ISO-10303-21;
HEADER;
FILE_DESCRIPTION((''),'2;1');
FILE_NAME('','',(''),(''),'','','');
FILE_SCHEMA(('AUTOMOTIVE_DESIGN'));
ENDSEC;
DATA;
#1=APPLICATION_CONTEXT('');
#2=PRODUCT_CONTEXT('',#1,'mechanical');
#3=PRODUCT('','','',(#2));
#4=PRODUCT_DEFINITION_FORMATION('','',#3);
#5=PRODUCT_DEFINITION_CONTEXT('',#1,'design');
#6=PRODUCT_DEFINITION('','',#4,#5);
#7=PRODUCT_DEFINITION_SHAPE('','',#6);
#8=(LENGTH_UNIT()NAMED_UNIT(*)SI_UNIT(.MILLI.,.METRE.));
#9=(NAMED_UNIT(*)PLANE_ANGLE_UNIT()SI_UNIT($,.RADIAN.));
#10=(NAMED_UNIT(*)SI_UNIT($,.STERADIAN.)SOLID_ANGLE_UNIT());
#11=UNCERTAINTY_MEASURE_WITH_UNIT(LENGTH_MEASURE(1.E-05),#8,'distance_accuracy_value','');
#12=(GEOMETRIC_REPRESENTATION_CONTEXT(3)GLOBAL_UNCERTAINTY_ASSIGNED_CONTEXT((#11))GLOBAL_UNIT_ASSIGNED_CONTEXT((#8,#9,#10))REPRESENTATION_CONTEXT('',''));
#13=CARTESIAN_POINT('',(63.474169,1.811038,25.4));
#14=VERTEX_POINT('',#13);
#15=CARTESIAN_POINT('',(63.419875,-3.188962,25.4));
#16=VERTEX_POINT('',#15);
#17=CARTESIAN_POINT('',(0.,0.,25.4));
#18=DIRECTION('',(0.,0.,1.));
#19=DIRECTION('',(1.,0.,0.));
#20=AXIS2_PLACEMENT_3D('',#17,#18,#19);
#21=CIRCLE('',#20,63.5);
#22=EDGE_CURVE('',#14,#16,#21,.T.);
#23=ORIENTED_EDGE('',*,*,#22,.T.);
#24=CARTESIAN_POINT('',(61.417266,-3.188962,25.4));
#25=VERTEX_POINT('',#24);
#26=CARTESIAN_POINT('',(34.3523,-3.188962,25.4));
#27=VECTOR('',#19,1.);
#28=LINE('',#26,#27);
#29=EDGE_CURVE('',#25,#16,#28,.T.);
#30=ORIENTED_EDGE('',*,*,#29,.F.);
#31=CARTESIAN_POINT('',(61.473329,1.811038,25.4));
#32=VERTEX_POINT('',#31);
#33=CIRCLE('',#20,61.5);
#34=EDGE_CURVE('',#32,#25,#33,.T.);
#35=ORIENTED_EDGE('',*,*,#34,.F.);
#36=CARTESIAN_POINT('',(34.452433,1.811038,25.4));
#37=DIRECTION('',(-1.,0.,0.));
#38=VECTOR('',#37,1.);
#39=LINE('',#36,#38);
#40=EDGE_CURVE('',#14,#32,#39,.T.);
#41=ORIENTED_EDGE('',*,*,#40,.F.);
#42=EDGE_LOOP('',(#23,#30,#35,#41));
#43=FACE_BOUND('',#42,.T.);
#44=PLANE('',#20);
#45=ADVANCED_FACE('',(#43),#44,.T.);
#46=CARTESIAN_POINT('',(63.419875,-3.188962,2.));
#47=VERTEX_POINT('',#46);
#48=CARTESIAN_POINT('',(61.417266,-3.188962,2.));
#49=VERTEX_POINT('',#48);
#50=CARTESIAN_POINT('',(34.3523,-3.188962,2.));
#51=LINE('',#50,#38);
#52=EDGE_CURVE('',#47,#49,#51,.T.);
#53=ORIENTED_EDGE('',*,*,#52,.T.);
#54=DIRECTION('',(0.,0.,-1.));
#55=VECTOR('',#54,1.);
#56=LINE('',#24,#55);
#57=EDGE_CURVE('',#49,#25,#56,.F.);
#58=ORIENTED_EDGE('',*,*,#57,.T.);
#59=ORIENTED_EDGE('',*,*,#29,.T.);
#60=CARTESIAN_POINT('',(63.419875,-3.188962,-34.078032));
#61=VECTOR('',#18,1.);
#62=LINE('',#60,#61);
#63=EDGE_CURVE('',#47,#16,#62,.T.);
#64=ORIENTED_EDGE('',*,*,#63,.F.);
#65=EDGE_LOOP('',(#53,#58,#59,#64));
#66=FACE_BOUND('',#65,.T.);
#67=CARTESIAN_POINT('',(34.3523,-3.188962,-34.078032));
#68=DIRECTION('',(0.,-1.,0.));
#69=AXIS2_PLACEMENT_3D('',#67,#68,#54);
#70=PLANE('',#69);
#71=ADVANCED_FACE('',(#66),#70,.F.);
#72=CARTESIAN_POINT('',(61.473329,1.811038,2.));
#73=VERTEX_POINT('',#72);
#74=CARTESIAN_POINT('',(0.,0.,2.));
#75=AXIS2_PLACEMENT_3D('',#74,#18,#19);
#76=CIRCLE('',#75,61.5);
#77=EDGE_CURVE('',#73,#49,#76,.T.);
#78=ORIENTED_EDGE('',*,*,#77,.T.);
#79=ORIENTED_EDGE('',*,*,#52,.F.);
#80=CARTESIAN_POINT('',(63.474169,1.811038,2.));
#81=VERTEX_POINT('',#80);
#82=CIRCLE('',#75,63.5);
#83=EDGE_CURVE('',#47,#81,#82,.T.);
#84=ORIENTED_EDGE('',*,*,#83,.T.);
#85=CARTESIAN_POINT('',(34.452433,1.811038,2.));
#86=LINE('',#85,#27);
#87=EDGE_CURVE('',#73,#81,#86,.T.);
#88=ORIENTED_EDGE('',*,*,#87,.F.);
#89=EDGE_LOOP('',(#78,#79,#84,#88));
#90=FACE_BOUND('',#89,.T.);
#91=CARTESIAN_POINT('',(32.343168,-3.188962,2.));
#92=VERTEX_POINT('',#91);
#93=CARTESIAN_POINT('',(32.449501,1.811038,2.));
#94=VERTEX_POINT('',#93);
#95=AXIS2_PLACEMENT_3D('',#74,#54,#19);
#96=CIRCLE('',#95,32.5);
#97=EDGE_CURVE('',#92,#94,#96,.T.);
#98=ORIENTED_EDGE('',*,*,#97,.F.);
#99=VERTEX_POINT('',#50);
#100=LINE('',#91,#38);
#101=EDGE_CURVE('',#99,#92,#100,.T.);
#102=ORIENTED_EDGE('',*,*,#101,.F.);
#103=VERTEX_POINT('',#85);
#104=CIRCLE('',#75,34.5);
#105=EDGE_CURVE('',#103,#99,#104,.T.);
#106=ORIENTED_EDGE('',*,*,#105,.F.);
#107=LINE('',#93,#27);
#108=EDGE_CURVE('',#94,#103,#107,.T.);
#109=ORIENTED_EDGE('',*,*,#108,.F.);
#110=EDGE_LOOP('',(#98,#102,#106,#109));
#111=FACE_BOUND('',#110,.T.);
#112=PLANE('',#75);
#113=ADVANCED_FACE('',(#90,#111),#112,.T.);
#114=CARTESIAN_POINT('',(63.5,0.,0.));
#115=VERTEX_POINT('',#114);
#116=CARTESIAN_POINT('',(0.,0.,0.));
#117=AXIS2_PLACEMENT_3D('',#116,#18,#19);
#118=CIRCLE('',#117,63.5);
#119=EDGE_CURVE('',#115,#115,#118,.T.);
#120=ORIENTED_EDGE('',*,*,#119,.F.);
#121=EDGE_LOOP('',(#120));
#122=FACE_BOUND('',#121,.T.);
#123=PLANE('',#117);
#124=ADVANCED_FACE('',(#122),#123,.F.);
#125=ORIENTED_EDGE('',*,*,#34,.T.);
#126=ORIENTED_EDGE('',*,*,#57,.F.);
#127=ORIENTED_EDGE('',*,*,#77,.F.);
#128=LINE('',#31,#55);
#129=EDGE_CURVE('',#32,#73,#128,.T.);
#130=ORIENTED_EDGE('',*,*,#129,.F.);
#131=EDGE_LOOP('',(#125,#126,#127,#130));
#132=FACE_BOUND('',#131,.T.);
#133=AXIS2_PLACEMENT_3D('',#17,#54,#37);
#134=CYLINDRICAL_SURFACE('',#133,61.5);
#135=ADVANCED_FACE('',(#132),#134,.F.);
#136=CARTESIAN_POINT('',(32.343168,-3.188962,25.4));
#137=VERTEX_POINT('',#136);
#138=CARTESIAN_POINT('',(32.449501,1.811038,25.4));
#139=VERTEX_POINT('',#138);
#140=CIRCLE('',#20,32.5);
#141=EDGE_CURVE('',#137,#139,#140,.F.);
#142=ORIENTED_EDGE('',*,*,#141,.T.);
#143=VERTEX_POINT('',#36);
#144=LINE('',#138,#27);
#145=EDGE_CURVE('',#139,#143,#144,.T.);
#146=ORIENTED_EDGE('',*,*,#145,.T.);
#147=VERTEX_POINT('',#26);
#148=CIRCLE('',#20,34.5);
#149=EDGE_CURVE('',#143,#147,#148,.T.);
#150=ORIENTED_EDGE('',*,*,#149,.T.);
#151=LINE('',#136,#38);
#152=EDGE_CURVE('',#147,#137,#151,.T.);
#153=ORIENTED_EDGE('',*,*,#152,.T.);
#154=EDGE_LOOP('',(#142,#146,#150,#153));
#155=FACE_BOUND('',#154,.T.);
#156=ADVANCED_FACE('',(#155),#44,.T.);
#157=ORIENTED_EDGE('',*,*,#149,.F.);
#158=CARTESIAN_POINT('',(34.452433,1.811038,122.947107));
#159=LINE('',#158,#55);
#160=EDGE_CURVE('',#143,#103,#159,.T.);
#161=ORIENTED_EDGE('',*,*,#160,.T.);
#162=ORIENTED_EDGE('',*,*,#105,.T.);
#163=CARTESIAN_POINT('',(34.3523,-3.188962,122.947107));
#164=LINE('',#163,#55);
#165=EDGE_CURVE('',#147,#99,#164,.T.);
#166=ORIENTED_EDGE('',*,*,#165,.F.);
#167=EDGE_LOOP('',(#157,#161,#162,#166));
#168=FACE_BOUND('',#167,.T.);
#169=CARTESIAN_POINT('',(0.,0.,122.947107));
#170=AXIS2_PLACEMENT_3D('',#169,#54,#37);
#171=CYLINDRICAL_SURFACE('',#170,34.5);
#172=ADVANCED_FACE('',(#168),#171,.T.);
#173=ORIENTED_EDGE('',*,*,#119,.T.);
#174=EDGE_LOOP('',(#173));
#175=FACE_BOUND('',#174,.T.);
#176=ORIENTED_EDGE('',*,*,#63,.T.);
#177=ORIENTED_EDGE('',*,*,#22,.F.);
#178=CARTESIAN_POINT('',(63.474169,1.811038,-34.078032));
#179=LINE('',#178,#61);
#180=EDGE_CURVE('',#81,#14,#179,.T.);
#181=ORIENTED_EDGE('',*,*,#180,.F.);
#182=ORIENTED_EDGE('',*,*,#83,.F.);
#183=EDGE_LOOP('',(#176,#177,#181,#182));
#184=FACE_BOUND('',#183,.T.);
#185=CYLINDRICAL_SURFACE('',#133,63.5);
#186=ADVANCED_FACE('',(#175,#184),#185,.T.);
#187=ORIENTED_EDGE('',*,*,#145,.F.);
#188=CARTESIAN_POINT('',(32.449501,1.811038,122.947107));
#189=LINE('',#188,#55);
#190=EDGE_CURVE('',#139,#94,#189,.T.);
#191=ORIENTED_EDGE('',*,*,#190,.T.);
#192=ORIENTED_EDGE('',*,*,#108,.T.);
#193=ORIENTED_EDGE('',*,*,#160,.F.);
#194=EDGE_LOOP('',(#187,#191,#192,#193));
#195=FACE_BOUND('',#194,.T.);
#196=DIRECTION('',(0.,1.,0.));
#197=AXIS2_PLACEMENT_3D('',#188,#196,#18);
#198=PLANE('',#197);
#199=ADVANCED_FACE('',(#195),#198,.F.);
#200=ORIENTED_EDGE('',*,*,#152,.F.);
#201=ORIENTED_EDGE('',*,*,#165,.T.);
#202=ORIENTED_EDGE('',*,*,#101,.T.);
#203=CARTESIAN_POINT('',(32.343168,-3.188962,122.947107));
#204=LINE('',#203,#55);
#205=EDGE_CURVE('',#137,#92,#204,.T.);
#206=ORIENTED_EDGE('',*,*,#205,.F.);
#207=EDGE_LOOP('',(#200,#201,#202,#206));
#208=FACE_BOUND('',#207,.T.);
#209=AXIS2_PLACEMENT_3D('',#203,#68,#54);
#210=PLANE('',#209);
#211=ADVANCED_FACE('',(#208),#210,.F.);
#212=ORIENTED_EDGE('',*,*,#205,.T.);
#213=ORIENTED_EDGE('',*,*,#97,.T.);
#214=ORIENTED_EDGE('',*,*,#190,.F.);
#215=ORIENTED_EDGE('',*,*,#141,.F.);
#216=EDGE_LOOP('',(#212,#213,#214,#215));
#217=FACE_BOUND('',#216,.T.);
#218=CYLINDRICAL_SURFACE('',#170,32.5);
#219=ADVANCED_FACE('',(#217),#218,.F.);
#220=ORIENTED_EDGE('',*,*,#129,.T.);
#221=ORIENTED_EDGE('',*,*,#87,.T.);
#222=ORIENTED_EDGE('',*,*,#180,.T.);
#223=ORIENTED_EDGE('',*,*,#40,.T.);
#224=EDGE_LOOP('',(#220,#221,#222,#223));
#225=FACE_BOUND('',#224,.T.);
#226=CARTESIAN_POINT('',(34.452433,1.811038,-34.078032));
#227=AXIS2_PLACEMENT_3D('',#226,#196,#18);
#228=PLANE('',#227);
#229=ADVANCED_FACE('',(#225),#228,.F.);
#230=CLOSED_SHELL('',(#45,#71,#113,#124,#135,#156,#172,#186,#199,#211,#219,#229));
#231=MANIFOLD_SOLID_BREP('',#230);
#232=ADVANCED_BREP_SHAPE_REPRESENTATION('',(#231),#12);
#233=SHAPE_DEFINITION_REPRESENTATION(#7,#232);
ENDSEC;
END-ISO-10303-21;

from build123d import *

# Parameters (mm, degrees)
SKETCH2_R           = 63.5
BOSS_EXTRUDE1_DEPTH = 25.4
SHELL1_T            = -2
BOSS_EXTRUDE2_DEPTH = 23.4
CUT_EXTRUDE2_DEPTH  = 23.4


with BuildPart() as part:
    # Sketch2 → Boss-Extrude1 (new body)
    with BuildSketch(Plane(origin=(0, 0, 0), x_dir=(0, 1, 0), z_dir=(0, 0, 1))):
        with Locations(Location((0, 0, 0), (0, 0, 270))):
            Circle(SKETCH2_R)
    extrude(amount=BOSS_EXTRUDE1_DEPTH)

    # Shell1
    shell1_openings = [part.faces().sort_by_distance(p)[0] for p in [
        (0, 0, 25.4),
    ]]
    offset(amount=SHELL1_T, openings=shell1_openings, kind=Kind.INTERSECTION)

    # Sketch3 → Boss-Extrude2 (add)
    with BuildSketch(Plane.XY.offset(2)):
        with BuildLine():
            Line((32.449501385, 1.811038348), (34.452433007, 1.811038348))
            ThreePointArc((34.452433007, 1.811038348), (-34.49308373, 0.690778407), (34.352300121, -3.188961652))
            Line((34.352300121, -3.188961652), (32.343168113, -3.188961652))
            ThreePointArc((32.343168113, -3.188961652), (-32.492653095, 0.691010021), (32.449501385, 1.811038348))
        make_face()
    extrude(amount=BOSS_EXTRUDE2_DEPTH)

    # Sketch4 → Cut-Extrude2 (cut)
    with BuildSketch(Plane.XY.offset(25.4)):
        Polygon((34.352300121, -3.188961652), (63.419874831, -3.188961652), (70.082181446, -0.688961652), (63.474169078, 1.811038348), (34.452433007, 1.811038348), align=None)
    extrude(amount=-CUT_EXTRUDE2_DEPTH, mode=Mode.SUBTRACT)


solid = part.part
